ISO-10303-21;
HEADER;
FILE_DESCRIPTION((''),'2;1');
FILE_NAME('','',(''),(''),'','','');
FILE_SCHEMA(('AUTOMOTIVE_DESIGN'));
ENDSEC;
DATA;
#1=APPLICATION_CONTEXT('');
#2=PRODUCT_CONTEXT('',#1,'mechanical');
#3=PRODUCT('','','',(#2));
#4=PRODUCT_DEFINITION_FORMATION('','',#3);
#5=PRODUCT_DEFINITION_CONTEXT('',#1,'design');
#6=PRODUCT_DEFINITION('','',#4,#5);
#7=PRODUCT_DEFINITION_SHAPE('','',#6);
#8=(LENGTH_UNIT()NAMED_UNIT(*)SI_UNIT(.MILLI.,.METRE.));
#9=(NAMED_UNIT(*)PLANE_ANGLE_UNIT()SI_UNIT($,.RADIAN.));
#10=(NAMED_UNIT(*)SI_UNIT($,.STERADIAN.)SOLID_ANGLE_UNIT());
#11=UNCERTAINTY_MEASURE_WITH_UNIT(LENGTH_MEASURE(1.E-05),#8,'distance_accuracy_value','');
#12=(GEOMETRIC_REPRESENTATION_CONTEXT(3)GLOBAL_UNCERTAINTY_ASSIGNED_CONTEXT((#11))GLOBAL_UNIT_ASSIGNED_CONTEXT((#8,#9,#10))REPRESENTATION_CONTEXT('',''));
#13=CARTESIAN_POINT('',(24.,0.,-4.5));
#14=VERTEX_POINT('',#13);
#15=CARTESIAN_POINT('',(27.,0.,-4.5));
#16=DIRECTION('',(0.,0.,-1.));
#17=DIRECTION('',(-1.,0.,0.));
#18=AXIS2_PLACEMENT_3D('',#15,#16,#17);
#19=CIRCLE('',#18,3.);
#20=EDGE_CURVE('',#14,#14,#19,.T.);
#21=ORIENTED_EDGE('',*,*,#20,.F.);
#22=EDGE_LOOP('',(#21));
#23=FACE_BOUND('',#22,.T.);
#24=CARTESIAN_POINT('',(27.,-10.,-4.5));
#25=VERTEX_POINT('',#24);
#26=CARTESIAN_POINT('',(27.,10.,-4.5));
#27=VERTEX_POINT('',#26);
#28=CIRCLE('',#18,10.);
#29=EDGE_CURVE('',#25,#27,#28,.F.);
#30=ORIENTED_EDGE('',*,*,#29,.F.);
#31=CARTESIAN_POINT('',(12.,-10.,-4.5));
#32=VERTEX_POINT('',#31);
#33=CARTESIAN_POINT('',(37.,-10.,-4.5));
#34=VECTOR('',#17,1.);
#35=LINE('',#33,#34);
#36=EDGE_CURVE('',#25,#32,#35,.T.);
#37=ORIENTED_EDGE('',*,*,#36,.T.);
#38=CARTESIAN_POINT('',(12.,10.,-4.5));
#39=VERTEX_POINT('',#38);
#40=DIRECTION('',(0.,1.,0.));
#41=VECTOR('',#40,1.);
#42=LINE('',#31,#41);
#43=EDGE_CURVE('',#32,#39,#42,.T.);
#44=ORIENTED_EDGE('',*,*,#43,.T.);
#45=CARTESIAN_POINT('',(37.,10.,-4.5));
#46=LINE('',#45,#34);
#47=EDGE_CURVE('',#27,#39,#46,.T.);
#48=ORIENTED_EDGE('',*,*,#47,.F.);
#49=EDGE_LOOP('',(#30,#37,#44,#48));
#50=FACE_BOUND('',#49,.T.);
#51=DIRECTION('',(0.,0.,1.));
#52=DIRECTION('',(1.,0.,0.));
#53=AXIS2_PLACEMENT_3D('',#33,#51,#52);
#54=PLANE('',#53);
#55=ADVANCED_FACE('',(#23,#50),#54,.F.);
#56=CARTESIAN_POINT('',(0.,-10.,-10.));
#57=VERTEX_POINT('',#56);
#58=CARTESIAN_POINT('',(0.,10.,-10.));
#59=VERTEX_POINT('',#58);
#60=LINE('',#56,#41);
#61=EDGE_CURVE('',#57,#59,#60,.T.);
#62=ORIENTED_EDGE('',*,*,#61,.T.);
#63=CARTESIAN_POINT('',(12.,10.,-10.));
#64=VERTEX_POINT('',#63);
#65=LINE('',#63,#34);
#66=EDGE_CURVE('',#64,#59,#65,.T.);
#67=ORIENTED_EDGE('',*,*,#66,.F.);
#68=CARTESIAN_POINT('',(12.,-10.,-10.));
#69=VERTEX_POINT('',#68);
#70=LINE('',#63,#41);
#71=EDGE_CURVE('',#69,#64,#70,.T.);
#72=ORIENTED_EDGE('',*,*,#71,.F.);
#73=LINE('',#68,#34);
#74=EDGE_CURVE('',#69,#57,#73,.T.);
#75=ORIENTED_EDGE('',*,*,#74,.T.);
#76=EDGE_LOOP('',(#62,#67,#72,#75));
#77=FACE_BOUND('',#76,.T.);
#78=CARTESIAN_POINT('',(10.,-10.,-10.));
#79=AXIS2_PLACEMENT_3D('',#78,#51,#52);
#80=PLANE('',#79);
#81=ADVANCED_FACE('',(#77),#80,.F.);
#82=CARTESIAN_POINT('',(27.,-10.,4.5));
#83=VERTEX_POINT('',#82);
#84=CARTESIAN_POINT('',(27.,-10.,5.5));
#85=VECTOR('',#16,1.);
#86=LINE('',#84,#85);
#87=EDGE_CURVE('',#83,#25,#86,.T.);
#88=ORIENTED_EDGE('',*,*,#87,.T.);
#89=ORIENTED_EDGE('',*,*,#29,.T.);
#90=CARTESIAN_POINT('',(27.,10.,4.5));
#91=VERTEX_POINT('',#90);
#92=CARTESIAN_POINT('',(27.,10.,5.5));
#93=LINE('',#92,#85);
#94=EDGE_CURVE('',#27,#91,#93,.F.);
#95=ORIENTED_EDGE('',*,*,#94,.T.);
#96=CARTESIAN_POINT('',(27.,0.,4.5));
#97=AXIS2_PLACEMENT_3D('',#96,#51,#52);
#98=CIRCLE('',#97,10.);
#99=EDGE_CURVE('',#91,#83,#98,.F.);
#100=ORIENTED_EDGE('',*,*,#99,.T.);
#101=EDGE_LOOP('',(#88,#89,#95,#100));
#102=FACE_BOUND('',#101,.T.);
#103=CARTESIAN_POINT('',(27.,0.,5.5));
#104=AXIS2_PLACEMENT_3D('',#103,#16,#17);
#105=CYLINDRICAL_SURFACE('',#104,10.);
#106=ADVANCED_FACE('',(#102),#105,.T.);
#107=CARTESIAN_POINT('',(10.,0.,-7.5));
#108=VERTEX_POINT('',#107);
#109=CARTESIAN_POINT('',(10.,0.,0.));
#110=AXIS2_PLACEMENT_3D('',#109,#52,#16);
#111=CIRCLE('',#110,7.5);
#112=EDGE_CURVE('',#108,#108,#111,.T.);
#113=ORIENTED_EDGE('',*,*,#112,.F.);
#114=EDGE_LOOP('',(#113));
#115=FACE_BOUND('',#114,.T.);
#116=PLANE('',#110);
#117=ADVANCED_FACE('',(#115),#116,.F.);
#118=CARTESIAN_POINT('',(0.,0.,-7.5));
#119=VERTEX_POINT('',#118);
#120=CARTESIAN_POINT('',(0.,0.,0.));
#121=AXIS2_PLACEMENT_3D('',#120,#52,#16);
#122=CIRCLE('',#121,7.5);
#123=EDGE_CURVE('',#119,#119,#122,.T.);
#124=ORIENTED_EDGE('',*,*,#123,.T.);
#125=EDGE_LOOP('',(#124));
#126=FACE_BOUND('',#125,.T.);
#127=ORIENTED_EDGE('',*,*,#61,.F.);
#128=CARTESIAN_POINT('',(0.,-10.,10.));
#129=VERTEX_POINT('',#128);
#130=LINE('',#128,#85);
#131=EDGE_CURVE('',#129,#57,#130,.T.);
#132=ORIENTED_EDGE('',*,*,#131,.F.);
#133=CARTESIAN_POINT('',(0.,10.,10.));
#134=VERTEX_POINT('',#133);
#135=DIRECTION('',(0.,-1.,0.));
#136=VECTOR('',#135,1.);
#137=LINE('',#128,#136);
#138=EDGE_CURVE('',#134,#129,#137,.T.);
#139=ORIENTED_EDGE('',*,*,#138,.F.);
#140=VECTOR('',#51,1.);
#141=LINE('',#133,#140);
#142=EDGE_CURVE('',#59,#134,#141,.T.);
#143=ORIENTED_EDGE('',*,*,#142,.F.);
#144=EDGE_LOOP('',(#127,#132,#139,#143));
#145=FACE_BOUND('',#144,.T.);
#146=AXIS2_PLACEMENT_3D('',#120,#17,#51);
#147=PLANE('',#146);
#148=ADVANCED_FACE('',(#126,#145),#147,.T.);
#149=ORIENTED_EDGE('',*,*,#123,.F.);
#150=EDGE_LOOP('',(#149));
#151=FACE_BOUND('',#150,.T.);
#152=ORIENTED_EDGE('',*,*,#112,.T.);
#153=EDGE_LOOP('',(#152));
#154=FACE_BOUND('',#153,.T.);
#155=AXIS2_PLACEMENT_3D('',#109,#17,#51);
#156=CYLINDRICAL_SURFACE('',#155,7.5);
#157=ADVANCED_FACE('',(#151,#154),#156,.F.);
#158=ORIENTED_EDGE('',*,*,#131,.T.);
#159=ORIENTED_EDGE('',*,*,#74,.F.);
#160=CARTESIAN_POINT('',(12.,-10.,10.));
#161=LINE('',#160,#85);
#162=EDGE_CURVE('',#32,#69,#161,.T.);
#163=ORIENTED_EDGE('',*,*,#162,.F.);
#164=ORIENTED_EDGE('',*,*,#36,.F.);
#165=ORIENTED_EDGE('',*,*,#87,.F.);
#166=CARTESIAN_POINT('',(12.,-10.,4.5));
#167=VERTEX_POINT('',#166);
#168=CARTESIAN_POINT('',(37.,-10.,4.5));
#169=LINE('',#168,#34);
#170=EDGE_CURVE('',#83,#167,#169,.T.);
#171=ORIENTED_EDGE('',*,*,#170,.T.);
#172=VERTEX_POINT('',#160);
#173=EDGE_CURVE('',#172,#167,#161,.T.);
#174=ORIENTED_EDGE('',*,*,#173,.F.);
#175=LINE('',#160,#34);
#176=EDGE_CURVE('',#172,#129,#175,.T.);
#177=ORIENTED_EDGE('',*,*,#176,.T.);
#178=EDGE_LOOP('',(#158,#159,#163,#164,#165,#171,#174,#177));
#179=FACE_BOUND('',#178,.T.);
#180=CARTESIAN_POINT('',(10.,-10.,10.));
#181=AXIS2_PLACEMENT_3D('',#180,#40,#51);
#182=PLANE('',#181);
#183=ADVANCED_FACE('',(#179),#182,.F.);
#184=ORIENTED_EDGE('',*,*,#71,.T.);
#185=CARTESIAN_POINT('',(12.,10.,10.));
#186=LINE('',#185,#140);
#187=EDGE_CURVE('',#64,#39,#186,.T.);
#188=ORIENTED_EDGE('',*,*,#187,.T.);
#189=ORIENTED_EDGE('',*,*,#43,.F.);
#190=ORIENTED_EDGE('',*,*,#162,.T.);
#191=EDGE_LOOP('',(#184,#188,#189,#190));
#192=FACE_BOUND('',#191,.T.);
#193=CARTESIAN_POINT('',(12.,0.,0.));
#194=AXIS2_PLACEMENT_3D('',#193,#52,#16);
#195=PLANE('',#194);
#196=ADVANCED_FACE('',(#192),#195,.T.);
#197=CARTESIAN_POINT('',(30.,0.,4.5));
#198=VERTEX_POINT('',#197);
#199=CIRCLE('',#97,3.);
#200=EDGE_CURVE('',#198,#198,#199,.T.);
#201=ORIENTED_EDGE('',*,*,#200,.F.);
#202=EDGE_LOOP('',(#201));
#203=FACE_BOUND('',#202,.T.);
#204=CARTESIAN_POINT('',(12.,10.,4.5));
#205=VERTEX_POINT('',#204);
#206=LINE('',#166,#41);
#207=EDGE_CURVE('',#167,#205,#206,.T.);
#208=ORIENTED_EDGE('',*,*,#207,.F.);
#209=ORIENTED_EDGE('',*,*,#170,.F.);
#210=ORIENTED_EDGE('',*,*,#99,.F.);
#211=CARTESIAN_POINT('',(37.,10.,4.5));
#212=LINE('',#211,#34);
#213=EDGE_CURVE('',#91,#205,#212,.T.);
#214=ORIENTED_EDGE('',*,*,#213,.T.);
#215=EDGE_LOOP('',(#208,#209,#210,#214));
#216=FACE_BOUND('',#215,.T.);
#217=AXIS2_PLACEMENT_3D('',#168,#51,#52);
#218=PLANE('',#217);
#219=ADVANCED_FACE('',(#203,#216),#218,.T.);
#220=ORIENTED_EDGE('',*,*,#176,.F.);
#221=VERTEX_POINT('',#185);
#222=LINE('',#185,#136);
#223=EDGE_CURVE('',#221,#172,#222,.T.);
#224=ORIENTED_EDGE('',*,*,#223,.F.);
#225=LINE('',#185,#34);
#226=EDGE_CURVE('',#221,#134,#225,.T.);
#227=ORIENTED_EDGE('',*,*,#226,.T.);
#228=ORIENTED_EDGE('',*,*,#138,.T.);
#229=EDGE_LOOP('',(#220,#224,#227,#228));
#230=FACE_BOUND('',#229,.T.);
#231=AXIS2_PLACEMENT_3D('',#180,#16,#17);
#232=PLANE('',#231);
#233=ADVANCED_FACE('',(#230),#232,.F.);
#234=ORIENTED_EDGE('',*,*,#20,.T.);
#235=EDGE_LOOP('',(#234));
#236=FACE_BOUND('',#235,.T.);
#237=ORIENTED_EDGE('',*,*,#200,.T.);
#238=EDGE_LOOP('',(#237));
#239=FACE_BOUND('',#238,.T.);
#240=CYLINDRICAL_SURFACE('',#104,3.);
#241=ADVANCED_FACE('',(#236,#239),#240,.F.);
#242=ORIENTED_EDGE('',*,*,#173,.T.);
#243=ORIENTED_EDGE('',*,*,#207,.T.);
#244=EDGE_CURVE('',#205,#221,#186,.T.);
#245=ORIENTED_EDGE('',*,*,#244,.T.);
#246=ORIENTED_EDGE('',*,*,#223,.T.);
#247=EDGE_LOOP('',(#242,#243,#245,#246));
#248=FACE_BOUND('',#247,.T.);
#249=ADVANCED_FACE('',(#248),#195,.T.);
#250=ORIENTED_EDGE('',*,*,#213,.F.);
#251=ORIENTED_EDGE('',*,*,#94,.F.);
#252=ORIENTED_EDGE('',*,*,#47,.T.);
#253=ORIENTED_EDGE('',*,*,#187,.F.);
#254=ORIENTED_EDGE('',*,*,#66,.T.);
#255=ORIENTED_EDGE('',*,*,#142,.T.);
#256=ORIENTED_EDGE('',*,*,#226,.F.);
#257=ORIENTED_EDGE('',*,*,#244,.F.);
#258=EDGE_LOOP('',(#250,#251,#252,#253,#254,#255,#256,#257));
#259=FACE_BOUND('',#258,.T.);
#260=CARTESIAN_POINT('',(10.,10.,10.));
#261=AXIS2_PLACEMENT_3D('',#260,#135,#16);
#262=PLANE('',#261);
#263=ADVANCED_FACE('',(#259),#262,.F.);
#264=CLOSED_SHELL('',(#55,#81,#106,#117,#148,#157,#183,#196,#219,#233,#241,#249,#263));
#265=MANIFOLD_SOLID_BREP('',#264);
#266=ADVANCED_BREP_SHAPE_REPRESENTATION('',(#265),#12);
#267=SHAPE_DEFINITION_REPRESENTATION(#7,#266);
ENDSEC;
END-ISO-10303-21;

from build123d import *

# Parameters (mm, degrees)
SKETCH_1_W           = 20
SKETCH_1_H           = 20
SKETCH_1_R           = 7.5
EXTRUDE_1_DEPTH      = 10
EXTRUDE_2_DEPTH      = 0.0001
EXTRUDE_2_DEPTH_BACK = 10
SKETCH_2_W           = 5
SKETCH_2_H           = 2
SKETCH_3_R           = 1.5
CUT_EXTRUDE_1_DEPTH  = 27.925861175
SKETCH_4_W           = 20
SKETCH_4_H           = 20
EXTRUDE_3_DEPTH      = 2
SKETCH_5_W           = 9
SKETCH_5_H           = 20
EXTRUDE_4_DEPTH      = 25
SKETCH_7_R           = 3
CUT_EXTRUDE_2_DEPTH  = 10
CUT_EXTRUDE_3_DEPTH  = 10
SKETCH_9_W           = 10.0001
SKETCH_9_H           = 5
CUT_EXTRUDE_4_DEPTH  = 45.654227124


with BuildPart() as part:
    # 草图1 → 凸台-拉伸1 (new body)
    with BuildSketch(Plane(origin=(0, 0, 0), x_dir=(0, 0, -1), z_dir=(1, 0, 0))):
        Rectangle(SKETCH_1_W, SKETCH_1_H)
        Circle(SKETCH_1_R, mode=Mode.SUBTRACT)
    extrude(amount=EXTRUDE_1_DEPTH)

    # 草图2 → 凸台-拉伸2 (add, two sides: drawn at the far end of the back side and taken through both)
    with BuildSketch(Plane(origin=(10, 0, 0), x_dir=(0, 0, -1), z_dir=(1, 0, 0)).offset(-EXTRUDE_2_DEPTH_BACK)):
        with Locations((-12.5, 9)):
            Rectangle(SKETCH_2_W, SKETCH_2_H)
        with Locations((-12.5, -9)):
            Rectangle(SKETCH_2_W, SKETCH_2_H)
        with Locations((12.5, -9)):
            Rectangle(SKETCH_2_W, SKETCH_2_H)
        with Locations((12.5, 9)):
            Rectangle(SKETCH_2_W, SKETCH_2_H)
    extrude(amount=EXTRUDE_2_DEPTH + EXTRUDE_2_DEPTH_BACK)

    # 草图3 → 切除-拉伸1 (cut, through all)
    with BuildSketch(Plane(origin=(0, 10, 0), x_dir=(1, 0, 0), z_dir=(0, 1, 0))):
        with Locations(Location((5.00005, 12.5, 0), (0, 0, 270))):
            Circle(SKETCH_3_R)
        with Locations(Location((5.00005, -12.5, 0), (0, 0, 270))):
            Circle(SKETCH_3_R)
    extrude(amount=-CUT_EXTRUDE_1_DEPTH, mode=Mode.SUBTRACT)

    # 草图4 → 凸台-拉伸3 (add)
    with BuildSketch(Plane(origin=(10, 0, 0), x_dir=(0, 0, -1), z_dir=(1, 0, 0))):
        Rectangle(SKETCH_4_W, SKETCH_4_H)
    extrude(amount=EXTRUDE_3_DEPTH)

    # 草图5 → 凸台-拉伸4 (add)
    with BuildSketch(Plane(origin=(12, 0, 0), x_dir=(0, 0, -1), z_dir=(1, 0, 0))):
        Rectangle(SKETCH_5_W, SKETCH_5_H)
    extrude(amount=EXTRUDE_4_DEPTH)

    # 草图7 → 切除-拉伸2 (cut)
    with BuildSketch(Plane(origin=(0, 0, -4.5), x_dir=(-1, 0, 0), z_dir=(0, 0, -1))):
        with Locations((-27, 0)):
            Circle(SKETCH_7_R)
    extrude(amount=-CUT_EXTRUDE_2_DEPTH, mode=Mode.SUBTRACT)

    # 草图8 → 切除-拉伸3 (cut)
    with BuildSketch(Plane(origin=(0, 0, -4.5), x_dir=(-1, 0, 0), z_dir=(0, 0, -1))):
        with BuildLine():
            Line((-37, -10), (-27, -10))
            ThreePointArc((-27, -10), (-34.071067812, -7.071067812), (-37, 0))
            Line((-37, 0), (-37, -10))
        make_face()
        with BuildLine():
            Line((-37, 10), (-37, 0))
            ThreePointArc((-37, 0), (-34.071067812, 7.071067812), (-27, 10))
            Line((-27, 10), (-37, 10))
        make_face()
    extrude(amount=-CUT_EXTRUDE_3_DEPTH, mode=Mode.SUBTRACT)

    # 草图9 → 切除-拉伸4 (cut, through all)
    with BuildSketch(Plane.XZ.offset(10)):
        with Locations((5.00005, -12.5)):
            Rectangle(SKETCH_9_W, SKETCH_9_H)
        with Locations((5.00005, 12.5)):
            Rectangle(SKETCH_9_W, SKETCH_9_H)
    extrude(amount=-CUT_EXTRUDE_4_DEPTH, mode=Mode.SUBTRACT)


solid = part.part
